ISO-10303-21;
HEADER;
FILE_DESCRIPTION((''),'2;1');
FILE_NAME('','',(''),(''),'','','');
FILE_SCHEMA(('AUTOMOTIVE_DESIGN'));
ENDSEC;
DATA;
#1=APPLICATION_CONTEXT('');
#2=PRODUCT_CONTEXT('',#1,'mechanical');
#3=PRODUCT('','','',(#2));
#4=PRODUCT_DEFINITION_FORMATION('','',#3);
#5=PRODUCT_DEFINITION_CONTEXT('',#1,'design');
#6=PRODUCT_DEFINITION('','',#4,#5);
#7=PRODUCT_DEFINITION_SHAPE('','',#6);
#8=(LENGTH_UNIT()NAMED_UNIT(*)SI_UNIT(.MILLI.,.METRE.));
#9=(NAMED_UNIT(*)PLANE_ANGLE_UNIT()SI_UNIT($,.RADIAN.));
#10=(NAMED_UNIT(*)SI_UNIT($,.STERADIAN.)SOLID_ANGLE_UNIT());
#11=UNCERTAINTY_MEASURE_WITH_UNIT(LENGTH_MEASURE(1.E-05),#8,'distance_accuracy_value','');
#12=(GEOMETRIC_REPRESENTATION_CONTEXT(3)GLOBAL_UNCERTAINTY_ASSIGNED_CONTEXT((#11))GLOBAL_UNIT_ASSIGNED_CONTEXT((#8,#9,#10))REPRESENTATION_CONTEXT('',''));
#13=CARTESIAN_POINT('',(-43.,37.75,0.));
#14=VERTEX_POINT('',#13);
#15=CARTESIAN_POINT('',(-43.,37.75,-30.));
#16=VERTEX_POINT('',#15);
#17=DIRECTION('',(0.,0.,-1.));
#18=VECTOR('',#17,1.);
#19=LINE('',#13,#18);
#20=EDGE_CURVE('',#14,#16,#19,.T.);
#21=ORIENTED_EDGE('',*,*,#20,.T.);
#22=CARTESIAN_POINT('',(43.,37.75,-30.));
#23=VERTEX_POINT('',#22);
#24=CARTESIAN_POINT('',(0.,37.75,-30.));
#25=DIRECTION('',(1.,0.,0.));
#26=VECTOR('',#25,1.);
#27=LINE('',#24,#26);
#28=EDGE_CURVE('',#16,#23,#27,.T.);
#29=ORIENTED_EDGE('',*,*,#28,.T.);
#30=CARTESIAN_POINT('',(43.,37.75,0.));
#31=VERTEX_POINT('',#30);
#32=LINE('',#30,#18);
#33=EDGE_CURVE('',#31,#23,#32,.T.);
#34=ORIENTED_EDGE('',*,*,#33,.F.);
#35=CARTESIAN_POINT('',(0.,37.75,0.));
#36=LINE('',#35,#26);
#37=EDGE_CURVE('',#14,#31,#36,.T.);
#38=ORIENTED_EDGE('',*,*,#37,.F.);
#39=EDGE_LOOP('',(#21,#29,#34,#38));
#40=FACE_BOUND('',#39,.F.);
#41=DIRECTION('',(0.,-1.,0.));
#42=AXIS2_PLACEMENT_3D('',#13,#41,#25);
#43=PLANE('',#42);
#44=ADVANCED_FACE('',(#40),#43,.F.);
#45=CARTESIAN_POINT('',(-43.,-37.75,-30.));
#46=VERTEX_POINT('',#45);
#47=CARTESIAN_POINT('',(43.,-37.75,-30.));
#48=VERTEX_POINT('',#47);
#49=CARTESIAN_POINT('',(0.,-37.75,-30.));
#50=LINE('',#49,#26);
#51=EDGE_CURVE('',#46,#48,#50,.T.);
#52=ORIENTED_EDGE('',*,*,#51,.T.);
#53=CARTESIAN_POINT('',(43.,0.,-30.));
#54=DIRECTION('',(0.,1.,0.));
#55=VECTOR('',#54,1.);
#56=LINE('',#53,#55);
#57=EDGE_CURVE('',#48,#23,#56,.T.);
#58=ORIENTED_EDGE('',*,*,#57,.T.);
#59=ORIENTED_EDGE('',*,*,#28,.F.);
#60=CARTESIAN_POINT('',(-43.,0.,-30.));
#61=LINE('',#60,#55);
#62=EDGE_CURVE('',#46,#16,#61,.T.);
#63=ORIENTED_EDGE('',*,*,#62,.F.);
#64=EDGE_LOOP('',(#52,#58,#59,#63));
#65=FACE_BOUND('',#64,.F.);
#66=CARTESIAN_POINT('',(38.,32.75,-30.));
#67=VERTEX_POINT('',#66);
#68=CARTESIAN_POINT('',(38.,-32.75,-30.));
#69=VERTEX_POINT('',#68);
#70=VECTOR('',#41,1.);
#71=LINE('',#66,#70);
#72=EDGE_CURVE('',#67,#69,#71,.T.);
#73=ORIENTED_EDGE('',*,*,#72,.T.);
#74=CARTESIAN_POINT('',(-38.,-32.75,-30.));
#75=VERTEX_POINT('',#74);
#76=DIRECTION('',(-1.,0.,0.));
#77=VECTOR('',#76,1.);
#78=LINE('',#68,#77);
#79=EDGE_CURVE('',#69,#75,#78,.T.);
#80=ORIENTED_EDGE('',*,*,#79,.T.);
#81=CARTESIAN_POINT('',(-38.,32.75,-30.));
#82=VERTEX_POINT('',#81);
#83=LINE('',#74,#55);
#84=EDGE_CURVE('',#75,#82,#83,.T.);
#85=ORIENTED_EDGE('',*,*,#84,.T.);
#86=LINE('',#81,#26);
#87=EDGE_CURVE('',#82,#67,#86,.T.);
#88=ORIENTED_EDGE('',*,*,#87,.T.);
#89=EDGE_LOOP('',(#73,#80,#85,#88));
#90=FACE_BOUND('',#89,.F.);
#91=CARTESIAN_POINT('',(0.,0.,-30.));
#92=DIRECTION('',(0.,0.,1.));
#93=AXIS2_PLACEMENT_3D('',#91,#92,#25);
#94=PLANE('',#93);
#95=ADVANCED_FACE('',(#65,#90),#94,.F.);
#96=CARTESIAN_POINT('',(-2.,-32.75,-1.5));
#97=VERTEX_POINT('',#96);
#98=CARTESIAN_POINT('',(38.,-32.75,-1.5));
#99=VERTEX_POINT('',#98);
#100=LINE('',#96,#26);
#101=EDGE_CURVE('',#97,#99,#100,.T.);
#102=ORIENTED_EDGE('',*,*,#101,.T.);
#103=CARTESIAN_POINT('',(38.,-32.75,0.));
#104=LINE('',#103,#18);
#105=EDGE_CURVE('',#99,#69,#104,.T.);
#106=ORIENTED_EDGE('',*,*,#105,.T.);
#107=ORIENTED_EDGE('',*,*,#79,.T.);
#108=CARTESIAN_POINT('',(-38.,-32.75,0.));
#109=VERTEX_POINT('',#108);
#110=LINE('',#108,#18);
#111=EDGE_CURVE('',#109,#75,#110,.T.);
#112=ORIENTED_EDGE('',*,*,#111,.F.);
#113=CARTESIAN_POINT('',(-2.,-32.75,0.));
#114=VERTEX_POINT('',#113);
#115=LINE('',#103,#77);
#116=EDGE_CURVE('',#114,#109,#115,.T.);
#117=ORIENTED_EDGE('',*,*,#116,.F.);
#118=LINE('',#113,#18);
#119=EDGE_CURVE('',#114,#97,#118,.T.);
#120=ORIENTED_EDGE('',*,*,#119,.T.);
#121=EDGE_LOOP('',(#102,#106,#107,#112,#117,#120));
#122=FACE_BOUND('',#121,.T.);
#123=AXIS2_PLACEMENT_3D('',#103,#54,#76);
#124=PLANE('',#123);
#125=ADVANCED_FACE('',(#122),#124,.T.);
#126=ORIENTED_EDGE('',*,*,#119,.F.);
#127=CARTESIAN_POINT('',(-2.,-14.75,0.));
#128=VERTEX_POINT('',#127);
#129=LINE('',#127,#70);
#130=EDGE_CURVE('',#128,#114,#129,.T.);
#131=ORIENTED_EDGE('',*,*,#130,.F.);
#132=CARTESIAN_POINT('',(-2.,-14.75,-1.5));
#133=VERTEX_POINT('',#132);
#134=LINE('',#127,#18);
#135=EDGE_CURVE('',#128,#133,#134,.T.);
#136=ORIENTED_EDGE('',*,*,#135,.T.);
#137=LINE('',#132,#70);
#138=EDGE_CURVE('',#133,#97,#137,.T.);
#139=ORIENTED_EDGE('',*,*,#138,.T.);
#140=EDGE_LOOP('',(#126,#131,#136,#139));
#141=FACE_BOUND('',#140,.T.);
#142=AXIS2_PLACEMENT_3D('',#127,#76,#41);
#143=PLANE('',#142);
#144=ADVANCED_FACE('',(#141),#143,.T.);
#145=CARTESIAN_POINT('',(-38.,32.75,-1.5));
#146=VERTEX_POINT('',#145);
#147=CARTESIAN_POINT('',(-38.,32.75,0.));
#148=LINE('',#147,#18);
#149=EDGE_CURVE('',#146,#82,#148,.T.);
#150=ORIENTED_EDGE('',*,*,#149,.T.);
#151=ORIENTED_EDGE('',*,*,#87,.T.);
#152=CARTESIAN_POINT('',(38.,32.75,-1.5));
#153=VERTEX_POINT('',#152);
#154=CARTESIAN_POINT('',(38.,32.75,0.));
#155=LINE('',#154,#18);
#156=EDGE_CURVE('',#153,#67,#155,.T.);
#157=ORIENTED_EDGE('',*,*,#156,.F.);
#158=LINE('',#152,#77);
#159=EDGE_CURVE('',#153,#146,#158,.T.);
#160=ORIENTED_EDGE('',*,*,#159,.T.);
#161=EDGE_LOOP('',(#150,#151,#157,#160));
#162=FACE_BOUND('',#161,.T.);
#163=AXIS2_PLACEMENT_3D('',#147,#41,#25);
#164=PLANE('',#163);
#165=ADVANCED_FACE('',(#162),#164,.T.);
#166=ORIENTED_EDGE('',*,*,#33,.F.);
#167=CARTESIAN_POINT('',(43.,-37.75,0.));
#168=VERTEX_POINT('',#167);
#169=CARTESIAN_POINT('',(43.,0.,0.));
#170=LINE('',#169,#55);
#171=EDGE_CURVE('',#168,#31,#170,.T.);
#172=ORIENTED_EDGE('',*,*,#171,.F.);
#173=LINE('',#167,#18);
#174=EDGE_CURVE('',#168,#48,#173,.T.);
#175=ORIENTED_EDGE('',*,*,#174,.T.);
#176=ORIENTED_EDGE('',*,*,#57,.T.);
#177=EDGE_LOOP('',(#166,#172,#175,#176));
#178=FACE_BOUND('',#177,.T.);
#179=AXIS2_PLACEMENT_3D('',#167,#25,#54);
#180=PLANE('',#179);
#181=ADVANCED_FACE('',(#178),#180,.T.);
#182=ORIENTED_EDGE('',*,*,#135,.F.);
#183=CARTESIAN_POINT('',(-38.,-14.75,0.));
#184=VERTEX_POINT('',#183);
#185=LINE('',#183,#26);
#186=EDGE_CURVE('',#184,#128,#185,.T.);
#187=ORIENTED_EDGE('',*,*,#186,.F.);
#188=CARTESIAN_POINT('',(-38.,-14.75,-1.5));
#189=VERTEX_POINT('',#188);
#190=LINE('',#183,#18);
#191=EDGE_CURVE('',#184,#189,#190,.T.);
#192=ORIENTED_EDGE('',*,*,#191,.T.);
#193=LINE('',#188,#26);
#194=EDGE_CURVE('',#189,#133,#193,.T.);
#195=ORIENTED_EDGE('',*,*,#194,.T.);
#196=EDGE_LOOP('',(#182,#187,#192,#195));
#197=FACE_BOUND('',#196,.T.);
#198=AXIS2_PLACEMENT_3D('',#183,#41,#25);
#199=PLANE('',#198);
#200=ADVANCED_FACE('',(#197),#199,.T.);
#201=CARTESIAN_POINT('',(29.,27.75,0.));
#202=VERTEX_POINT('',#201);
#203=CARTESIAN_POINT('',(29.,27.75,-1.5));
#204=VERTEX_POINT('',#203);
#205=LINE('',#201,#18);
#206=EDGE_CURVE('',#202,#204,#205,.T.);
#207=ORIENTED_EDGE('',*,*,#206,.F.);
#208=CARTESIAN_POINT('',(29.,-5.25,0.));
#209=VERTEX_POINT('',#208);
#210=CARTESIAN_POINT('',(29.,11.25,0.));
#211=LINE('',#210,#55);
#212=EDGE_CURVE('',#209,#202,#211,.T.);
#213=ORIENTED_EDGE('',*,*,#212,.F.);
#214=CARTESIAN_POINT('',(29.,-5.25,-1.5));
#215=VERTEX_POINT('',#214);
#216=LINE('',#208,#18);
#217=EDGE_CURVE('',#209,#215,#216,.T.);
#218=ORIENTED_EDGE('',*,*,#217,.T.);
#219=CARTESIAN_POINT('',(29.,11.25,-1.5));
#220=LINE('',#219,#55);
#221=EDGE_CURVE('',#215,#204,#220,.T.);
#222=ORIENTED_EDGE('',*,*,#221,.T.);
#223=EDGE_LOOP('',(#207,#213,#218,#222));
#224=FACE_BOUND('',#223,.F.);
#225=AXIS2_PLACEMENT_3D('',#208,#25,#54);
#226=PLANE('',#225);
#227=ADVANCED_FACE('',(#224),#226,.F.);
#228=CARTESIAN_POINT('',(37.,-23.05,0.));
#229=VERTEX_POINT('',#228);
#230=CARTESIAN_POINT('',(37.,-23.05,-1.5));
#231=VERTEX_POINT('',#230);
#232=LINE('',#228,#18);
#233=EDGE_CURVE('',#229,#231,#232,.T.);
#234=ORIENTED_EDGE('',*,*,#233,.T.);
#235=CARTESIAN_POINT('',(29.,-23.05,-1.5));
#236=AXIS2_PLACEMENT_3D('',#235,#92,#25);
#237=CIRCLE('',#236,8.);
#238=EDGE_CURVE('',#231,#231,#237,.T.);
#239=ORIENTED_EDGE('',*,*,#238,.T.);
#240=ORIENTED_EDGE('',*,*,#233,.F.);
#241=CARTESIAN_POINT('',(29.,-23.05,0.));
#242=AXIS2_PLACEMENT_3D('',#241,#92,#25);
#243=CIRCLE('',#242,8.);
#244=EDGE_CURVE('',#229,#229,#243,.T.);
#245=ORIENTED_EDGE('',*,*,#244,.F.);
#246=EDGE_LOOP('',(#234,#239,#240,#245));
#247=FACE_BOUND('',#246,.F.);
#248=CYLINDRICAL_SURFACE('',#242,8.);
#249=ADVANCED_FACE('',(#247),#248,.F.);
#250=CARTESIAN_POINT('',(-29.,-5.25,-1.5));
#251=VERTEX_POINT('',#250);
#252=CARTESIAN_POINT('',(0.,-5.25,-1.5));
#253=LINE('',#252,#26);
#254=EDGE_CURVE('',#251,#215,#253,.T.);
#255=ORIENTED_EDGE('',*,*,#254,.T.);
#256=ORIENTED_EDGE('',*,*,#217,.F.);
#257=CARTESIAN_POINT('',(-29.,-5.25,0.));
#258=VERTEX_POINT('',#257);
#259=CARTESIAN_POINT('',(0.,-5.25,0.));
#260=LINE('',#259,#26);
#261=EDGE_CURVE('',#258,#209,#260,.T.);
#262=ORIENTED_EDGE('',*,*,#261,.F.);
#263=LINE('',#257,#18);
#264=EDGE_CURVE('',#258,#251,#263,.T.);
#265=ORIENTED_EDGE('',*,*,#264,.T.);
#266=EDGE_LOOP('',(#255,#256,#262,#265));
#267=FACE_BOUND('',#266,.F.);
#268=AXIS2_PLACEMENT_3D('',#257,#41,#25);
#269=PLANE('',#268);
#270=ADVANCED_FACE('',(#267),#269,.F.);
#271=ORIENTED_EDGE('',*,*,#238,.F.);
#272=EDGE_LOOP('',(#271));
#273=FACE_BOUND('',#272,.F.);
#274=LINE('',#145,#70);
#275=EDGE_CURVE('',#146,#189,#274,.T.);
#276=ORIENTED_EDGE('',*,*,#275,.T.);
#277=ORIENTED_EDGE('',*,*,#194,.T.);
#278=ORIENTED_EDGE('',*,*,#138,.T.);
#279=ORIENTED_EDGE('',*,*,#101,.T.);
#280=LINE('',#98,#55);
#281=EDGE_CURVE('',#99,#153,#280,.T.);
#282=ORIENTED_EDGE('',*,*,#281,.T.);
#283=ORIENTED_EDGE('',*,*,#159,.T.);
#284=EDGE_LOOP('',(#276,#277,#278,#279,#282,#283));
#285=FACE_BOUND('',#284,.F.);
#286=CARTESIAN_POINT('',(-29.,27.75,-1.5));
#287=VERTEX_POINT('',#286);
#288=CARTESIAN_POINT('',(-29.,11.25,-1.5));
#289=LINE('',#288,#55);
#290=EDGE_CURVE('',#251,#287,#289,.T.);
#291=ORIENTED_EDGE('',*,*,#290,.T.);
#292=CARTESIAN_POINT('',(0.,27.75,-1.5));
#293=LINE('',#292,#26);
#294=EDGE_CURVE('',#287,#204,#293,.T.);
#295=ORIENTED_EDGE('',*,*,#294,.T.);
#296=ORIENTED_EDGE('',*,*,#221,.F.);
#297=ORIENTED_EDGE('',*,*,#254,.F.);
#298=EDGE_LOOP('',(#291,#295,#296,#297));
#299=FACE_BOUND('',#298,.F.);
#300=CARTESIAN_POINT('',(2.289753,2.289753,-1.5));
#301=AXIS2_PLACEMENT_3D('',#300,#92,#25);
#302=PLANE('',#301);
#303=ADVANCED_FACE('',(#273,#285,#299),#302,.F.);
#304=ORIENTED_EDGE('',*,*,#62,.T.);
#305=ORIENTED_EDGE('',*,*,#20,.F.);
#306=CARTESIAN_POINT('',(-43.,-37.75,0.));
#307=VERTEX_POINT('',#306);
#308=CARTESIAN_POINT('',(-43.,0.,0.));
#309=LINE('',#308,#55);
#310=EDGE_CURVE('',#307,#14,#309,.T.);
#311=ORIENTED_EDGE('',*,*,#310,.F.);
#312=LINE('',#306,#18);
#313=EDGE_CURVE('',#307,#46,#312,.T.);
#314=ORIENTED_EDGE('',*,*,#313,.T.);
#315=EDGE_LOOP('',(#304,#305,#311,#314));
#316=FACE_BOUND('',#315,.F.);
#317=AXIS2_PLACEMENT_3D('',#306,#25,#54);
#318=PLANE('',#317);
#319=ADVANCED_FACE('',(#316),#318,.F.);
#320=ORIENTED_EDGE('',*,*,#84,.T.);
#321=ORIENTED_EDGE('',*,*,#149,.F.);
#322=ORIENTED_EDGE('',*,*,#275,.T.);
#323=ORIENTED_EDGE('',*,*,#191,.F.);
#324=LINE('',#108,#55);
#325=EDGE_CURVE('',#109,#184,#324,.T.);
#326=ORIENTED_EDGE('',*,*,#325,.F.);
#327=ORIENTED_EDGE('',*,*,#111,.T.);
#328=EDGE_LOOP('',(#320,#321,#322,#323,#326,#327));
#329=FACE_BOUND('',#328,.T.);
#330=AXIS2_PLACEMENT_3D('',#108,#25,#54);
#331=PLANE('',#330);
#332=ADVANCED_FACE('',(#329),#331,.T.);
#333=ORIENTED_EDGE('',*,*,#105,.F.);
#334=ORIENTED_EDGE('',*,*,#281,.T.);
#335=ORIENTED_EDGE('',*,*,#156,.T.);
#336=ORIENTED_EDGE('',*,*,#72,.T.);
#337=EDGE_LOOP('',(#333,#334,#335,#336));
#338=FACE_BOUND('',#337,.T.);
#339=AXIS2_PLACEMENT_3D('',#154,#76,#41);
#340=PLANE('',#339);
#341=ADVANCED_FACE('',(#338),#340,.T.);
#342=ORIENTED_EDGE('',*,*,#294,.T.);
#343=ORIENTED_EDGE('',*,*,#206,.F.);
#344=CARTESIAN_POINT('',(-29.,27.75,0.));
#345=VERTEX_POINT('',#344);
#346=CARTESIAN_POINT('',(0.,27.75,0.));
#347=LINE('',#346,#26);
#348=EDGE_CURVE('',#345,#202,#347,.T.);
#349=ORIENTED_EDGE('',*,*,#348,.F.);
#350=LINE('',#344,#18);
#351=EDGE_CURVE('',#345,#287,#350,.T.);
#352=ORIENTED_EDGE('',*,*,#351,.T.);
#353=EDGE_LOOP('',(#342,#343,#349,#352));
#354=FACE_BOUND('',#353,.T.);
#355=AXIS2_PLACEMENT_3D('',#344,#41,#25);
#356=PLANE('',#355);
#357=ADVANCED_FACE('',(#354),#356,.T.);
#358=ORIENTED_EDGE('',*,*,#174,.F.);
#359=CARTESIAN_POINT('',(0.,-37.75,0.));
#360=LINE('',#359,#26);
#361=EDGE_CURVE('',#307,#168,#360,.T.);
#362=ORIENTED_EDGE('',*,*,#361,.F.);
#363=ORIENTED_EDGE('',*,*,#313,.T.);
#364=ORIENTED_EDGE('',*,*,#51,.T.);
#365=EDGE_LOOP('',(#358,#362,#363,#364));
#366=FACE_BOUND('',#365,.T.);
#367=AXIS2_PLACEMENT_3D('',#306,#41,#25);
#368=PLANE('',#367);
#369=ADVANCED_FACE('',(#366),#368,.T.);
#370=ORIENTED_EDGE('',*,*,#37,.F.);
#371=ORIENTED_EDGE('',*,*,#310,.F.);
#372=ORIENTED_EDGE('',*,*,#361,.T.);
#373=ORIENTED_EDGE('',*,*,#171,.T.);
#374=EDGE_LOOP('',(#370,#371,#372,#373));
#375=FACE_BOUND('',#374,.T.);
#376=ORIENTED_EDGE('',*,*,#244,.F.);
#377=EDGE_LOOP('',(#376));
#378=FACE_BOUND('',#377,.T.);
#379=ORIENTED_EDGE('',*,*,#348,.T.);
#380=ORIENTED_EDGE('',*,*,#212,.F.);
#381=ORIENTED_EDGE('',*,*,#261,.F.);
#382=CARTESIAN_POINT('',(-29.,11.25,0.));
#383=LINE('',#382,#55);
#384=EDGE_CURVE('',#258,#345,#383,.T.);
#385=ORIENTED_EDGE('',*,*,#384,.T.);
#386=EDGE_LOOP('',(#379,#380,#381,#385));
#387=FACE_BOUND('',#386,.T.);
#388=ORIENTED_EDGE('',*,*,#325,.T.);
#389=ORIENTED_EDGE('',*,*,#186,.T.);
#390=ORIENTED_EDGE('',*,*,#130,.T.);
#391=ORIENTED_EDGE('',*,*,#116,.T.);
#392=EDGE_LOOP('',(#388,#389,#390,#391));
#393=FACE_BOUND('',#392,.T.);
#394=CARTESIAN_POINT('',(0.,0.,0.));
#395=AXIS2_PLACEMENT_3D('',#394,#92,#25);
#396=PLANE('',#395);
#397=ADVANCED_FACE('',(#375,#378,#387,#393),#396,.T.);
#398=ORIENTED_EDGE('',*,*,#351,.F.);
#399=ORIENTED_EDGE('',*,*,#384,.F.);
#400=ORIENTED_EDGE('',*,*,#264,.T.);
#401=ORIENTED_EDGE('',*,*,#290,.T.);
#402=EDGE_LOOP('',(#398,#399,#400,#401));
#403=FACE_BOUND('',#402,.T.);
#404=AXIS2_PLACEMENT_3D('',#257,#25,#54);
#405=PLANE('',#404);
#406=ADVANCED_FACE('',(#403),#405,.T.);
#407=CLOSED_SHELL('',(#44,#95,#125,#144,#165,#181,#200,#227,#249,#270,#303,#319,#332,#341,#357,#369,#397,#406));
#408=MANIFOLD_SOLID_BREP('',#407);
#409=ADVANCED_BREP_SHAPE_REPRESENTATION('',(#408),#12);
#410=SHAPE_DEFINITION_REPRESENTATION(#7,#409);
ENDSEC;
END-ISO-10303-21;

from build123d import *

# Parameters (mm, degrees)
F0_R     = 8
F0_W     = 58
F0_H     = 33
F1_DEPTH = 1.5
F0_W_2   = 86
F0_H_2   = 75.5
F2_DEPTH = 30


with BuildPart() as f1:
    # F0 (on Top) → F1 (new body)
    with BuildSketch(Plane.XY):
        Polygon((-29, 32.75), (-38, 32.75), (-38, -14.75), (-2, -14.75), (-2, -32.75), (38, -32.75), (38, 32.75), (29, 32.75), align=None)
        with Locations((29, -23.05)):
            Circle(F0_R, mode=Mode.SUBTRACT)
        with Locations((0, 11.25)):
            Rectangle(F0_W, F0_H, mode=Mode.SUBTRACT)
    extrude(amount=-F1_DEPTH)

    # F0 (on Top) → F2 (join)
    with BuildSketch(Plane.XY):
        Rectangle(F0_W_2, F0_H_2)
        Polygon((-38, -14.75), (-38, 32.75), (-29, 32.75), (29, 32.75), (38, 32.75), (38, -32.75), (-2, -32.75), (-38, -32.75), align=None, mode=Mode.SUBTRACT)
    extrude(amount=-F2_DEPTH)


solid = f1.part
